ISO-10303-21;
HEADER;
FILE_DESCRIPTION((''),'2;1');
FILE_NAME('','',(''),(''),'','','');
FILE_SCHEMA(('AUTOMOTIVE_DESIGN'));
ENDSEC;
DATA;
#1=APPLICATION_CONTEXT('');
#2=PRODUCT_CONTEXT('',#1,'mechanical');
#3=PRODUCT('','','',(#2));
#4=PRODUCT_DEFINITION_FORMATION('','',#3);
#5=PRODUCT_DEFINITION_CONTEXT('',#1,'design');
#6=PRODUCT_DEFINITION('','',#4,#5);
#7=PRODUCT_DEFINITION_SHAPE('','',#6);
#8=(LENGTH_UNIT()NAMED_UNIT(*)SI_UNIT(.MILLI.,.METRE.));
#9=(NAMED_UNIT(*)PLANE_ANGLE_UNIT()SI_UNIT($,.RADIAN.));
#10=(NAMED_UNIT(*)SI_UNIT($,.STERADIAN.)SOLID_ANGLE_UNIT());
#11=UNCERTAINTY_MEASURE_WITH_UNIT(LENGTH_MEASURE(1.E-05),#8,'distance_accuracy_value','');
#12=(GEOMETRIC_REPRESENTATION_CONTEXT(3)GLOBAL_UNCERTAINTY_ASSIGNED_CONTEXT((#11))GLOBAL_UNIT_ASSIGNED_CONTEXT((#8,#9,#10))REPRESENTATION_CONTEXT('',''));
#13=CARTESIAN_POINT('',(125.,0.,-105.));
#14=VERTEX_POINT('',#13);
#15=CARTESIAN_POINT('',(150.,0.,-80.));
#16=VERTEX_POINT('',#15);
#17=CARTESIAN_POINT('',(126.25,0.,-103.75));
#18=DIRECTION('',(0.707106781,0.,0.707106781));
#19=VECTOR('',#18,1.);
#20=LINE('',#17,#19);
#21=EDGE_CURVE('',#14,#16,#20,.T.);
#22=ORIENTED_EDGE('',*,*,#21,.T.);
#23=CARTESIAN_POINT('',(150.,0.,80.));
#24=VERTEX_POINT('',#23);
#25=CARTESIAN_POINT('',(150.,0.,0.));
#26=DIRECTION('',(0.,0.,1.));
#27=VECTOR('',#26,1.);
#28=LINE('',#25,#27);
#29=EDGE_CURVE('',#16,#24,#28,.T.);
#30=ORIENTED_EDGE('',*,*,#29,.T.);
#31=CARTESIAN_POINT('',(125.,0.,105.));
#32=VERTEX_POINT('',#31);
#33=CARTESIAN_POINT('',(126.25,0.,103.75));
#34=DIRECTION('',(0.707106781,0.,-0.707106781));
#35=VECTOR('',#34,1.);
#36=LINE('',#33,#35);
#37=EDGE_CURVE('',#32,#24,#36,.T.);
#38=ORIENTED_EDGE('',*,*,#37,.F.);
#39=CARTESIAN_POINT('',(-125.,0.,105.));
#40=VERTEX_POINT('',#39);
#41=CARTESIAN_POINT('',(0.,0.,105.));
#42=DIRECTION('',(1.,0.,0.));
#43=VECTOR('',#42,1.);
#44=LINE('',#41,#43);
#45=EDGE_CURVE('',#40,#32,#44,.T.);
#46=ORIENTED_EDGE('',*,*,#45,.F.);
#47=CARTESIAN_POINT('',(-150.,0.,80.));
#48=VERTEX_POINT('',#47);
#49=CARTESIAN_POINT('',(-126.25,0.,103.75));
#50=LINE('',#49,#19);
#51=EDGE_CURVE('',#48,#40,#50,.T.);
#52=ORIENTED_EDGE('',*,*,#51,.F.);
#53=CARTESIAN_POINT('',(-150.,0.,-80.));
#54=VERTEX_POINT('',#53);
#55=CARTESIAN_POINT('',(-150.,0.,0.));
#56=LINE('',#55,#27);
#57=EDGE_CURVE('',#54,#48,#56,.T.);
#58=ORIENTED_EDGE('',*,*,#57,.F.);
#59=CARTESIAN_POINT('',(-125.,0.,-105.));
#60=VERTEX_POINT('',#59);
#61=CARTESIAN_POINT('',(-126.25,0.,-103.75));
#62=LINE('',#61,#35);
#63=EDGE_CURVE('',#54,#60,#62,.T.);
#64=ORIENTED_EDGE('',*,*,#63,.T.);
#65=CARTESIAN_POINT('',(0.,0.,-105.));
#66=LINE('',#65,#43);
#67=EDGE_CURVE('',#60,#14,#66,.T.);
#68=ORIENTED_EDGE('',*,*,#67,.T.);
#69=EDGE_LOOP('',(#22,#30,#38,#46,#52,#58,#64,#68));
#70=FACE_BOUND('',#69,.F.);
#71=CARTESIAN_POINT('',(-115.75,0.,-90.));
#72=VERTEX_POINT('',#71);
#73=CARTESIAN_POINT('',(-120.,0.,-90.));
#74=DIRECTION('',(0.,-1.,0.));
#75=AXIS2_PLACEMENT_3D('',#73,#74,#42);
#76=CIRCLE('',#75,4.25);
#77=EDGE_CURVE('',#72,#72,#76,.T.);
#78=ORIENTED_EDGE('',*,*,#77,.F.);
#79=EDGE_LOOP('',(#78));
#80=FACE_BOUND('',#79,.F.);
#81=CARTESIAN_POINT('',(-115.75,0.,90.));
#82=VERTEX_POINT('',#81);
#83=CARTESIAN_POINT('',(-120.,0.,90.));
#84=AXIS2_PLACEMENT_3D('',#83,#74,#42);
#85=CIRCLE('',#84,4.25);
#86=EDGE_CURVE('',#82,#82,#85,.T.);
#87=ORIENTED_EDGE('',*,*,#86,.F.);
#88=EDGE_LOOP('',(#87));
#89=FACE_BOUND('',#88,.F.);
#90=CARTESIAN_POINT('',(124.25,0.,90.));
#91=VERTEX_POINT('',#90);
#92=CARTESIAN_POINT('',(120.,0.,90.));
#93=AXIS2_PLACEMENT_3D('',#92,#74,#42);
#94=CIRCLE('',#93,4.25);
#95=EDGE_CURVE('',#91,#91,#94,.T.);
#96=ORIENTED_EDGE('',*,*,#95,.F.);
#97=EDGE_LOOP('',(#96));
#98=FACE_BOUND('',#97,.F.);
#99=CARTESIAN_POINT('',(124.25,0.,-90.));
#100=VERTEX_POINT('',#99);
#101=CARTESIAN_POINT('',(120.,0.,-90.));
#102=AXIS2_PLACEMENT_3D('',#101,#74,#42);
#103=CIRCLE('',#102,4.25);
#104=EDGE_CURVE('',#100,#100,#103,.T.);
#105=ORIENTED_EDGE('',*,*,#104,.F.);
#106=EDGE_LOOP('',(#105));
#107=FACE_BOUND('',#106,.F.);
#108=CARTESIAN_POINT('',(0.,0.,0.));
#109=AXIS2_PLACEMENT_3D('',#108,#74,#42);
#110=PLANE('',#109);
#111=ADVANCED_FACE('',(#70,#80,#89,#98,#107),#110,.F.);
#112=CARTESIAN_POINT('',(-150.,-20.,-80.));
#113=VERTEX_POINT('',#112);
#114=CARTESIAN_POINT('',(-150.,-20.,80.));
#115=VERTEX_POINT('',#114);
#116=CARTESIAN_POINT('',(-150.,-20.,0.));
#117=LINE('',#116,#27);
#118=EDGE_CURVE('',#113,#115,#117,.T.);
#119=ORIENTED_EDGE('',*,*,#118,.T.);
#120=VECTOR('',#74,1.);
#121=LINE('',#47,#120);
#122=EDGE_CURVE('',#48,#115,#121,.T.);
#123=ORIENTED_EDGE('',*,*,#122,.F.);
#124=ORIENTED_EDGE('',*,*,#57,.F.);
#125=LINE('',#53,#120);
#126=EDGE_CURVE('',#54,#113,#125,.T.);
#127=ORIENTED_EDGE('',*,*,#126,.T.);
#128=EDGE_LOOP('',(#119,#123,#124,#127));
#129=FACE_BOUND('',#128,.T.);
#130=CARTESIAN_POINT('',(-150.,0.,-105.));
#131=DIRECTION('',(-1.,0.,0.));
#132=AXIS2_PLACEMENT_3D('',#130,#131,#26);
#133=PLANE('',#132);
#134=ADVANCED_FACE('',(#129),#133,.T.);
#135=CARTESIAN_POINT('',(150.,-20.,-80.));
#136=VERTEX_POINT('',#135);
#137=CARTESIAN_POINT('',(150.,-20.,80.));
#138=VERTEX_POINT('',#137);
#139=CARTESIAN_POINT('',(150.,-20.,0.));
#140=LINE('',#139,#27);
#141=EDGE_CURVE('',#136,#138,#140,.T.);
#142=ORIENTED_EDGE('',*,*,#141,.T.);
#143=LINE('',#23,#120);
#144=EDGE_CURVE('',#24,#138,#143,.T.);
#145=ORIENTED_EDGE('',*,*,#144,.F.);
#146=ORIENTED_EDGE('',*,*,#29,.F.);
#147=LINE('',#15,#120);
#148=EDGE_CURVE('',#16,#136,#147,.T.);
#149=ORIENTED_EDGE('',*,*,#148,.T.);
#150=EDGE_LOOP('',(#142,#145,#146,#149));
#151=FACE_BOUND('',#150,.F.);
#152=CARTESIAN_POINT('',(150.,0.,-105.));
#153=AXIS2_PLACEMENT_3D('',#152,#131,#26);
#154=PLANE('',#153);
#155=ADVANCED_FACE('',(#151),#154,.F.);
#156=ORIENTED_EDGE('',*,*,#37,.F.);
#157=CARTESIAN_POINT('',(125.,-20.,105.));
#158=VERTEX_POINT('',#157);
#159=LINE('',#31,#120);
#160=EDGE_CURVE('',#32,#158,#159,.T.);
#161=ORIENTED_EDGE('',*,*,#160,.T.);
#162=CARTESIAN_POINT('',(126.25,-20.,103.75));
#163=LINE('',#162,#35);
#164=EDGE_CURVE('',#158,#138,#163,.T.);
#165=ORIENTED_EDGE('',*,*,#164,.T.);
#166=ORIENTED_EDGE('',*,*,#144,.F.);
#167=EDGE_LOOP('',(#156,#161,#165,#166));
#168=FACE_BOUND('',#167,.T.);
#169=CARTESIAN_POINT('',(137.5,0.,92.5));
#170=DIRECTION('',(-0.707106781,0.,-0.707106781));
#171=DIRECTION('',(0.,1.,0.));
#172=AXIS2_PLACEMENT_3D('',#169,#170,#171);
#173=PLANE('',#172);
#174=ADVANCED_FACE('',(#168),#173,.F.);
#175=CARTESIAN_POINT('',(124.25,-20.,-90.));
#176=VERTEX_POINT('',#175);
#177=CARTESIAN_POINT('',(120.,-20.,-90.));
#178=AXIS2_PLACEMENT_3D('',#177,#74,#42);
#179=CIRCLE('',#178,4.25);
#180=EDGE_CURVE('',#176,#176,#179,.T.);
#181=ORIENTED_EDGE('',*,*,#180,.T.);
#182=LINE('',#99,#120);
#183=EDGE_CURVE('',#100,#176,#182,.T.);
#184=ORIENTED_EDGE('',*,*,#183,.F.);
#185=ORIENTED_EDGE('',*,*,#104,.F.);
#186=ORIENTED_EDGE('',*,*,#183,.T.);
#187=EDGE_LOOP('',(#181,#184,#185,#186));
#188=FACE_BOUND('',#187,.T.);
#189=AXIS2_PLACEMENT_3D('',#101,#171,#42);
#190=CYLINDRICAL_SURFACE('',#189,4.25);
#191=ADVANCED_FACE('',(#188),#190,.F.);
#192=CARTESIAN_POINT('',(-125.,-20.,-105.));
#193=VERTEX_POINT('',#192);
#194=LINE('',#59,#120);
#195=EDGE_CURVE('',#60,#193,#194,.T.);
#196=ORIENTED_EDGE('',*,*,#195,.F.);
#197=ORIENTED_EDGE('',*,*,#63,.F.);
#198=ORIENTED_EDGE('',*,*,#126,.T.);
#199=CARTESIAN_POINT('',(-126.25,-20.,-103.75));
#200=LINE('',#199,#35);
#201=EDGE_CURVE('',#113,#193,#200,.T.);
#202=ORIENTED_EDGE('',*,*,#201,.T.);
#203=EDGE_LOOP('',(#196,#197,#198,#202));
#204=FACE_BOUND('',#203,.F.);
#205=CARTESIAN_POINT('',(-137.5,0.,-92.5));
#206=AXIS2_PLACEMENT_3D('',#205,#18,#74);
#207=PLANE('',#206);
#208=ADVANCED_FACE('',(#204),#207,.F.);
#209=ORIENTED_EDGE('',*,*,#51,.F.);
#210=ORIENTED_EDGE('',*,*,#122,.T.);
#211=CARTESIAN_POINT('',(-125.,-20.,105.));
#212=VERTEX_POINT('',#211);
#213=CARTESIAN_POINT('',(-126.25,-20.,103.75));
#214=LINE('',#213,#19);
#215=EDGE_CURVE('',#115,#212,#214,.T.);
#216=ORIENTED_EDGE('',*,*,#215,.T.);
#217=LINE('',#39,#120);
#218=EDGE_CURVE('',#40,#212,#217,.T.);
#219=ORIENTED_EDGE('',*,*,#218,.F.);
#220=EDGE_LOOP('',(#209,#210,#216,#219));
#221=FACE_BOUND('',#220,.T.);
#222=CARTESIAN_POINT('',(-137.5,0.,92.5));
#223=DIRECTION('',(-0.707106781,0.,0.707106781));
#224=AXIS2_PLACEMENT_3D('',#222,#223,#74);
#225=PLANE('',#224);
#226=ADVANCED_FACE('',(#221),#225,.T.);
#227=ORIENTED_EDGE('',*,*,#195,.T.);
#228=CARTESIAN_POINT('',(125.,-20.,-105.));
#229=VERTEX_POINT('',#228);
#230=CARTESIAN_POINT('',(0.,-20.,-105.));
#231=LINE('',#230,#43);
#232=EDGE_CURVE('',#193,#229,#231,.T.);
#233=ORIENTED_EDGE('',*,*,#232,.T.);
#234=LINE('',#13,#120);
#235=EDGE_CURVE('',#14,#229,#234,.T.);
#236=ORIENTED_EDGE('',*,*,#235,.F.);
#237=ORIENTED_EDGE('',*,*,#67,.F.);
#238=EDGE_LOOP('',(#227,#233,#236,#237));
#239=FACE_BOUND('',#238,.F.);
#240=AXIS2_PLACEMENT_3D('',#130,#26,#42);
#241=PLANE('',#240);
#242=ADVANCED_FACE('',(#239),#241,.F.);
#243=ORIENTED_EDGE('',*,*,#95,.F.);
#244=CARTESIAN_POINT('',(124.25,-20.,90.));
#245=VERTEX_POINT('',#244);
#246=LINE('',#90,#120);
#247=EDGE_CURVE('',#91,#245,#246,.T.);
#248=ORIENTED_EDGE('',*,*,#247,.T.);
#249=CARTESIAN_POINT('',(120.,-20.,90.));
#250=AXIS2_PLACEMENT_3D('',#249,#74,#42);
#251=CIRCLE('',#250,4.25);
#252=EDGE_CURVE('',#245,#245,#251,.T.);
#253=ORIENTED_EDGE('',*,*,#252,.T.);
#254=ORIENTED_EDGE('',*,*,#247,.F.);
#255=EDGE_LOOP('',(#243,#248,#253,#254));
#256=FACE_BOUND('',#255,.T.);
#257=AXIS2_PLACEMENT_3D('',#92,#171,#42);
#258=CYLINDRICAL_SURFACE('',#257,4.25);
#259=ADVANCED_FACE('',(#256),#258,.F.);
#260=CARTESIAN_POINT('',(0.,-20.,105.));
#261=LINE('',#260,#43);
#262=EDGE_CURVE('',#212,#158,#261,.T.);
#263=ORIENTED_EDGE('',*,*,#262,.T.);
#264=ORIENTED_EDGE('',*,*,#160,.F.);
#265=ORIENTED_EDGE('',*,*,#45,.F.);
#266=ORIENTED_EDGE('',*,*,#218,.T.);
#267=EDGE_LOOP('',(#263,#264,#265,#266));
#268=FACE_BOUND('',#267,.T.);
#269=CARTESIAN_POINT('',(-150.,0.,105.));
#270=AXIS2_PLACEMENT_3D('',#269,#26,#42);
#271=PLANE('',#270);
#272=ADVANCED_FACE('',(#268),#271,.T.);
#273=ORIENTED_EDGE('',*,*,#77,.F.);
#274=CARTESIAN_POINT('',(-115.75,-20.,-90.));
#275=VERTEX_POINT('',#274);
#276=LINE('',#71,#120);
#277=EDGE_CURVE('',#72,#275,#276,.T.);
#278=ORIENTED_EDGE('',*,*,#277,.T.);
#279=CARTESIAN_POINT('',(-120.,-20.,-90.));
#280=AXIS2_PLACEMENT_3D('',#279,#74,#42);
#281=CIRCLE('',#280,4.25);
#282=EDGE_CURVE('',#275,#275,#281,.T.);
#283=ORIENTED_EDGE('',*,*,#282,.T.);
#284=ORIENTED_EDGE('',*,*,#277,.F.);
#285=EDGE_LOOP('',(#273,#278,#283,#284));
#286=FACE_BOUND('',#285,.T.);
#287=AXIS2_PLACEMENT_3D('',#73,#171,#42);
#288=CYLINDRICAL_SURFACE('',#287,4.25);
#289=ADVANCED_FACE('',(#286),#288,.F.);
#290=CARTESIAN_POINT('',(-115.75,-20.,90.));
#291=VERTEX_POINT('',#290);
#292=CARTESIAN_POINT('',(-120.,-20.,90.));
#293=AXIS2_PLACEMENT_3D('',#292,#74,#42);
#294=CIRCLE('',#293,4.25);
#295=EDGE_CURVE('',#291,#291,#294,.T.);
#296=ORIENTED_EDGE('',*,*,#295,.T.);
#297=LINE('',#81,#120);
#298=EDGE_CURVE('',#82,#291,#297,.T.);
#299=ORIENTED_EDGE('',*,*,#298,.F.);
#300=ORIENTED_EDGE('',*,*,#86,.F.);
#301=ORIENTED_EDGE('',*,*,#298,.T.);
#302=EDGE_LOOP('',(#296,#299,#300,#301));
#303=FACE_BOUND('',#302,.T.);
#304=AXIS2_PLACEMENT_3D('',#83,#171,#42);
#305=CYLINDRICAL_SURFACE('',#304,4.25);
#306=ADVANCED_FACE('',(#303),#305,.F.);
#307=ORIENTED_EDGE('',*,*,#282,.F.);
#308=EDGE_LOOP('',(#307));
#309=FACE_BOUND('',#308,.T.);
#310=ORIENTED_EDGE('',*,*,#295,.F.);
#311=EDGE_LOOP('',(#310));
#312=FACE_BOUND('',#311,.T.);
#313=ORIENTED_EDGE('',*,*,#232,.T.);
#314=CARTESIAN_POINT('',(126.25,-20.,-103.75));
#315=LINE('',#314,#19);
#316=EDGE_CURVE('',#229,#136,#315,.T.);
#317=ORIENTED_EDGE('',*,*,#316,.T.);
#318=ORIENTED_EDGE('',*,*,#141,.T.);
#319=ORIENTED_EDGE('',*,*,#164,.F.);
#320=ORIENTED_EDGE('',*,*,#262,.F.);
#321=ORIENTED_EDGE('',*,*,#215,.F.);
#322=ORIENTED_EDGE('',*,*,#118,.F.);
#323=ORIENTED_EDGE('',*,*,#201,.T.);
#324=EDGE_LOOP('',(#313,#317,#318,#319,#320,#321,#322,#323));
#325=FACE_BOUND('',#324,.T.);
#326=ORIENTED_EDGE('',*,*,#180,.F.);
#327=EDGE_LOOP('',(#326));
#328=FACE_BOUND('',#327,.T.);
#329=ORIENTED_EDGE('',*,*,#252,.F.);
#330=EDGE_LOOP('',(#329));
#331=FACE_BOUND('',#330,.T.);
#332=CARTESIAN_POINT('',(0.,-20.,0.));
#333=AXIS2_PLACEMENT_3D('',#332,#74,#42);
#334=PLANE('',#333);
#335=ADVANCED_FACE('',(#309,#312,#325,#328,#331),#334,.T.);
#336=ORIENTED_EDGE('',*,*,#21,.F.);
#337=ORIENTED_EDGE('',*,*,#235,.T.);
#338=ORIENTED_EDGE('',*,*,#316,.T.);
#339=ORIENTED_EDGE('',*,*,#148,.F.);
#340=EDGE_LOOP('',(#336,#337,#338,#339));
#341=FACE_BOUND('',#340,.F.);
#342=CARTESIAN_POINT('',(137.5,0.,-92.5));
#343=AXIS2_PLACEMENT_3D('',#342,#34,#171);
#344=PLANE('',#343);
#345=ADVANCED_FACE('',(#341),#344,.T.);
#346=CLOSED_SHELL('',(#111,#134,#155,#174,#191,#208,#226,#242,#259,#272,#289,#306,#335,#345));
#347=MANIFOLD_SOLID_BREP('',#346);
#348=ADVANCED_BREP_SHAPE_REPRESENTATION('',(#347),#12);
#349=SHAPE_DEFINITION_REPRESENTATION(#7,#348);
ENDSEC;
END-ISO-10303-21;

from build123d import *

# Parameters (mm, degrees)
F0_W     = 300
F0_H     = 210
F0_R     = 4.25
F1_DEPTH = 20
F2_SIZE  = 25


with BuildPart() as f1:
    # F0 (on Front) → F1 (new body)
    with BuildSketch(Plane.XZ):
        Rectangle(F0_W, F0_H)
        with Locations((-120, -90)):
            Circle(F0_R, mode=Mode.SUBTRACT)
        with Locations((120, -90)):
            Circle(F0_R, mode=Mode.SUBTRACT)
        with Locations((-120, 90)):
            Circle(F0_R, mode=Mode.SUBTRACT)
        with Locations((120, 90)):
            Circle(F0_R, mode=Mode.SUBTRACT)
    extrude(amount=F1_DEPTH)

    # F2
    f2_edges = [f1.edges().sort_by_distance(p)[0] for p in [
        (150, -10, 105),
        (150, -10, -105),
        (-150, -10, -105),
        (-150, -10, 105),
    ]]
    chamfer(f2_edges, length=F2_SIZE)


solid = f1.part
